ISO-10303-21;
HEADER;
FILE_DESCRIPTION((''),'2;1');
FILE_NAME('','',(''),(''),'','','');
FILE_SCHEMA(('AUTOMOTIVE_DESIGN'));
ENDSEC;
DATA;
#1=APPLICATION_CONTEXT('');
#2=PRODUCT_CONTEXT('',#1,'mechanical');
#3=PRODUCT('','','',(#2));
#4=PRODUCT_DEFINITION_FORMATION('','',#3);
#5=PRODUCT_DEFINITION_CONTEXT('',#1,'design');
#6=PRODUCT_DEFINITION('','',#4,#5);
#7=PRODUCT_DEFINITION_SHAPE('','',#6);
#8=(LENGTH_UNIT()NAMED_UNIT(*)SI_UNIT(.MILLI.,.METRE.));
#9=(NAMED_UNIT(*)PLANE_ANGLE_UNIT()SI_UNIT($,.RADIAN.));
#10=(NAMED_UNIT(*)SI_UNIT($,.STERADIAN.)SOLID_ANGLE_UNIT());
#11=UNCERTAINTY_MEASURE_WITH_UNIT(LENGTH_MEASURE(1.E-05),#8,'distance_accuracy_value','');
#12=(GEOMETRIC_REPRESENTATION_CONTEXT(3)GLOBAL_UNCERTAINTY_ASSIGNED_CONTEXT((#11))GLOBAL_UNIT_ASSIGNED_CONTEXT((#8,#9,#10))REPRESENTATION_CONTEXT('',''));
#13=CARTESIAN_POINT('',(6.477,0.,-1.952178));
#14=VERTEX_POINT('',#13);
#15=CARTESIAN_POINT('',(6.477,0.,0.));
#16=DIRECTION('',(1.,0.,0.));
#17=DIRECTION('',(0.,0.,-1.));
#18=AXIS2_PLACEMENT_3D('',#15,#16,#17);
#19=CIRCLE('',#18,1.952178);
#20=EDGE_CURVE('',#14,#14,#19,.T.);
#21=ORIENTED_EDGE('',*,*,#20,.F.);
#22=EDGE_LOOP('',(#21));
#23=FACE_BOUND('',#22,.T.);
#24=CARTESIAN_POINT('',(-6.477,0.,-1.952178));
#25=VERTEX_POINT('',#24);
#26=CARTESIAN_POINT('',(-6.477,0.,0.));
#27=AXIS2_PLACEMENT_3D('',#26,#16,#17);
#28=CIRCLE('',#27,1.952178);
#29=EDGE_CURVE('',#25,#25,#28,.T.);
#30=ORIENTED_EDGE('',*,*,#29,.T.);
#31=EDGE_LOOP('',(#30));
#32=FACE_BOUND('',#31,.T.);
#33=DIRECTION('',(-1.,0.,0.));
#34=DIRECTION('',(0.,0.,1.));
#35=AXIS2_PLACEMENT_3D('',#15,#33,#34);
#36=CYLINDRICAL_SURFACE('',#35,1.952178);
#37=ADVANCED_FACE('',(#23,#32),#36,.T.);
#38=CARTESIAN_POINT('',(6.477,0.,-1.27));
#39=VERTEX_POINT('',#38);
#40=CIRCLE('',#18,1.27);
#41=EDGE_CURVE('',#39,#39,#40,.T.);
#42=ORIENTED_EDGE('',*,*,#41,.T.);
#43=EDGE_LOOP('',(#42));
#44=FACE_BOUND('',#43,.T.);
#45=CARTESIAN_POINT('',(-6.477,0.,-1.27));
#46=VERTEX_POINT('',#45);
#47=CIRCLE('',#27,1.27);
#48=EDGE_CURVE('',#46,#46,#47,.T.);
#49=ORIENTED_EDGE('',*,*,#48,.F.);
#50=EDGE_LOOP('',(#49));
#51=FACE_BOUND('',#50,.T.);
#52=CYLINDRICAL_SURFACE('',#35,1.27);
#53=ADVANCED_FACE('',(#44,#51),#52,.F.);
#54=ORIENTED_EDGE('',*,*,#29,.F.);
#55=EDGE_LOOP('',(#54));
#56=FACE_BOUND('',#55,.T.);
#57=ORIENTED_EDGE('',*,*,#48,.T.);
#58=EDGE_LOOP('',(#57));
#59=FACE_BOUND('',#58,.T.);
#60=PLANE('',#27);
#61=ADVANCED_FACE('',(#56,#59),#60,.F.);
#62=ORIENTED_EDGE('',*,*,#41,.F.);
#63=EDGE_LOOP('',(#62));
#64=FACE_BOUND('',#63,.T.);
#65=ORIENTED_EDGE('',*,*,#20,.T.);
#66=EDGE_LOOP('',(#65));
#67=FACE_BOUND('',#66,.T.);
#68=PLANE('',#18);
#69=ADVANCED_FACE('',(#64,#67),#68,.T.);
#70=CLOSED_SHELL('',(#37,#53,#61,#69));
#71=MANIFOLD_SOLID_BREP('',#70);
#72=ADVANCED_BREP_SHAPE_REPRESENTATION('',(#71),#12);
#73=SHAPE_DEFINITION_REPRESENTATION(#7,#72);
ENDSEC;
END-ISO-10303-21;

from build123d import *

# Parameters (mm, degrees)
SKETCH1_R      = 1.952177969
SKETCH1_R_2    = 1.27
EXTRUDE1_DEPTH = 6.477


with BuildPart() as part:
    # Sketch1 → Extrude1 (new, symmetric)
    with BuildSketch(Plane(origin=(0, 0, 0), x_dir=(0, 0, -1), z_dir=(1, 0, 0))):
        Circle(SKETCH1_R)
        Circle(SKETCH1_R_2, mode=Mode.SUBTRACT)
    extrude(amount=EXTRUDE1_DEPTH, both=True)


solid = part.part
